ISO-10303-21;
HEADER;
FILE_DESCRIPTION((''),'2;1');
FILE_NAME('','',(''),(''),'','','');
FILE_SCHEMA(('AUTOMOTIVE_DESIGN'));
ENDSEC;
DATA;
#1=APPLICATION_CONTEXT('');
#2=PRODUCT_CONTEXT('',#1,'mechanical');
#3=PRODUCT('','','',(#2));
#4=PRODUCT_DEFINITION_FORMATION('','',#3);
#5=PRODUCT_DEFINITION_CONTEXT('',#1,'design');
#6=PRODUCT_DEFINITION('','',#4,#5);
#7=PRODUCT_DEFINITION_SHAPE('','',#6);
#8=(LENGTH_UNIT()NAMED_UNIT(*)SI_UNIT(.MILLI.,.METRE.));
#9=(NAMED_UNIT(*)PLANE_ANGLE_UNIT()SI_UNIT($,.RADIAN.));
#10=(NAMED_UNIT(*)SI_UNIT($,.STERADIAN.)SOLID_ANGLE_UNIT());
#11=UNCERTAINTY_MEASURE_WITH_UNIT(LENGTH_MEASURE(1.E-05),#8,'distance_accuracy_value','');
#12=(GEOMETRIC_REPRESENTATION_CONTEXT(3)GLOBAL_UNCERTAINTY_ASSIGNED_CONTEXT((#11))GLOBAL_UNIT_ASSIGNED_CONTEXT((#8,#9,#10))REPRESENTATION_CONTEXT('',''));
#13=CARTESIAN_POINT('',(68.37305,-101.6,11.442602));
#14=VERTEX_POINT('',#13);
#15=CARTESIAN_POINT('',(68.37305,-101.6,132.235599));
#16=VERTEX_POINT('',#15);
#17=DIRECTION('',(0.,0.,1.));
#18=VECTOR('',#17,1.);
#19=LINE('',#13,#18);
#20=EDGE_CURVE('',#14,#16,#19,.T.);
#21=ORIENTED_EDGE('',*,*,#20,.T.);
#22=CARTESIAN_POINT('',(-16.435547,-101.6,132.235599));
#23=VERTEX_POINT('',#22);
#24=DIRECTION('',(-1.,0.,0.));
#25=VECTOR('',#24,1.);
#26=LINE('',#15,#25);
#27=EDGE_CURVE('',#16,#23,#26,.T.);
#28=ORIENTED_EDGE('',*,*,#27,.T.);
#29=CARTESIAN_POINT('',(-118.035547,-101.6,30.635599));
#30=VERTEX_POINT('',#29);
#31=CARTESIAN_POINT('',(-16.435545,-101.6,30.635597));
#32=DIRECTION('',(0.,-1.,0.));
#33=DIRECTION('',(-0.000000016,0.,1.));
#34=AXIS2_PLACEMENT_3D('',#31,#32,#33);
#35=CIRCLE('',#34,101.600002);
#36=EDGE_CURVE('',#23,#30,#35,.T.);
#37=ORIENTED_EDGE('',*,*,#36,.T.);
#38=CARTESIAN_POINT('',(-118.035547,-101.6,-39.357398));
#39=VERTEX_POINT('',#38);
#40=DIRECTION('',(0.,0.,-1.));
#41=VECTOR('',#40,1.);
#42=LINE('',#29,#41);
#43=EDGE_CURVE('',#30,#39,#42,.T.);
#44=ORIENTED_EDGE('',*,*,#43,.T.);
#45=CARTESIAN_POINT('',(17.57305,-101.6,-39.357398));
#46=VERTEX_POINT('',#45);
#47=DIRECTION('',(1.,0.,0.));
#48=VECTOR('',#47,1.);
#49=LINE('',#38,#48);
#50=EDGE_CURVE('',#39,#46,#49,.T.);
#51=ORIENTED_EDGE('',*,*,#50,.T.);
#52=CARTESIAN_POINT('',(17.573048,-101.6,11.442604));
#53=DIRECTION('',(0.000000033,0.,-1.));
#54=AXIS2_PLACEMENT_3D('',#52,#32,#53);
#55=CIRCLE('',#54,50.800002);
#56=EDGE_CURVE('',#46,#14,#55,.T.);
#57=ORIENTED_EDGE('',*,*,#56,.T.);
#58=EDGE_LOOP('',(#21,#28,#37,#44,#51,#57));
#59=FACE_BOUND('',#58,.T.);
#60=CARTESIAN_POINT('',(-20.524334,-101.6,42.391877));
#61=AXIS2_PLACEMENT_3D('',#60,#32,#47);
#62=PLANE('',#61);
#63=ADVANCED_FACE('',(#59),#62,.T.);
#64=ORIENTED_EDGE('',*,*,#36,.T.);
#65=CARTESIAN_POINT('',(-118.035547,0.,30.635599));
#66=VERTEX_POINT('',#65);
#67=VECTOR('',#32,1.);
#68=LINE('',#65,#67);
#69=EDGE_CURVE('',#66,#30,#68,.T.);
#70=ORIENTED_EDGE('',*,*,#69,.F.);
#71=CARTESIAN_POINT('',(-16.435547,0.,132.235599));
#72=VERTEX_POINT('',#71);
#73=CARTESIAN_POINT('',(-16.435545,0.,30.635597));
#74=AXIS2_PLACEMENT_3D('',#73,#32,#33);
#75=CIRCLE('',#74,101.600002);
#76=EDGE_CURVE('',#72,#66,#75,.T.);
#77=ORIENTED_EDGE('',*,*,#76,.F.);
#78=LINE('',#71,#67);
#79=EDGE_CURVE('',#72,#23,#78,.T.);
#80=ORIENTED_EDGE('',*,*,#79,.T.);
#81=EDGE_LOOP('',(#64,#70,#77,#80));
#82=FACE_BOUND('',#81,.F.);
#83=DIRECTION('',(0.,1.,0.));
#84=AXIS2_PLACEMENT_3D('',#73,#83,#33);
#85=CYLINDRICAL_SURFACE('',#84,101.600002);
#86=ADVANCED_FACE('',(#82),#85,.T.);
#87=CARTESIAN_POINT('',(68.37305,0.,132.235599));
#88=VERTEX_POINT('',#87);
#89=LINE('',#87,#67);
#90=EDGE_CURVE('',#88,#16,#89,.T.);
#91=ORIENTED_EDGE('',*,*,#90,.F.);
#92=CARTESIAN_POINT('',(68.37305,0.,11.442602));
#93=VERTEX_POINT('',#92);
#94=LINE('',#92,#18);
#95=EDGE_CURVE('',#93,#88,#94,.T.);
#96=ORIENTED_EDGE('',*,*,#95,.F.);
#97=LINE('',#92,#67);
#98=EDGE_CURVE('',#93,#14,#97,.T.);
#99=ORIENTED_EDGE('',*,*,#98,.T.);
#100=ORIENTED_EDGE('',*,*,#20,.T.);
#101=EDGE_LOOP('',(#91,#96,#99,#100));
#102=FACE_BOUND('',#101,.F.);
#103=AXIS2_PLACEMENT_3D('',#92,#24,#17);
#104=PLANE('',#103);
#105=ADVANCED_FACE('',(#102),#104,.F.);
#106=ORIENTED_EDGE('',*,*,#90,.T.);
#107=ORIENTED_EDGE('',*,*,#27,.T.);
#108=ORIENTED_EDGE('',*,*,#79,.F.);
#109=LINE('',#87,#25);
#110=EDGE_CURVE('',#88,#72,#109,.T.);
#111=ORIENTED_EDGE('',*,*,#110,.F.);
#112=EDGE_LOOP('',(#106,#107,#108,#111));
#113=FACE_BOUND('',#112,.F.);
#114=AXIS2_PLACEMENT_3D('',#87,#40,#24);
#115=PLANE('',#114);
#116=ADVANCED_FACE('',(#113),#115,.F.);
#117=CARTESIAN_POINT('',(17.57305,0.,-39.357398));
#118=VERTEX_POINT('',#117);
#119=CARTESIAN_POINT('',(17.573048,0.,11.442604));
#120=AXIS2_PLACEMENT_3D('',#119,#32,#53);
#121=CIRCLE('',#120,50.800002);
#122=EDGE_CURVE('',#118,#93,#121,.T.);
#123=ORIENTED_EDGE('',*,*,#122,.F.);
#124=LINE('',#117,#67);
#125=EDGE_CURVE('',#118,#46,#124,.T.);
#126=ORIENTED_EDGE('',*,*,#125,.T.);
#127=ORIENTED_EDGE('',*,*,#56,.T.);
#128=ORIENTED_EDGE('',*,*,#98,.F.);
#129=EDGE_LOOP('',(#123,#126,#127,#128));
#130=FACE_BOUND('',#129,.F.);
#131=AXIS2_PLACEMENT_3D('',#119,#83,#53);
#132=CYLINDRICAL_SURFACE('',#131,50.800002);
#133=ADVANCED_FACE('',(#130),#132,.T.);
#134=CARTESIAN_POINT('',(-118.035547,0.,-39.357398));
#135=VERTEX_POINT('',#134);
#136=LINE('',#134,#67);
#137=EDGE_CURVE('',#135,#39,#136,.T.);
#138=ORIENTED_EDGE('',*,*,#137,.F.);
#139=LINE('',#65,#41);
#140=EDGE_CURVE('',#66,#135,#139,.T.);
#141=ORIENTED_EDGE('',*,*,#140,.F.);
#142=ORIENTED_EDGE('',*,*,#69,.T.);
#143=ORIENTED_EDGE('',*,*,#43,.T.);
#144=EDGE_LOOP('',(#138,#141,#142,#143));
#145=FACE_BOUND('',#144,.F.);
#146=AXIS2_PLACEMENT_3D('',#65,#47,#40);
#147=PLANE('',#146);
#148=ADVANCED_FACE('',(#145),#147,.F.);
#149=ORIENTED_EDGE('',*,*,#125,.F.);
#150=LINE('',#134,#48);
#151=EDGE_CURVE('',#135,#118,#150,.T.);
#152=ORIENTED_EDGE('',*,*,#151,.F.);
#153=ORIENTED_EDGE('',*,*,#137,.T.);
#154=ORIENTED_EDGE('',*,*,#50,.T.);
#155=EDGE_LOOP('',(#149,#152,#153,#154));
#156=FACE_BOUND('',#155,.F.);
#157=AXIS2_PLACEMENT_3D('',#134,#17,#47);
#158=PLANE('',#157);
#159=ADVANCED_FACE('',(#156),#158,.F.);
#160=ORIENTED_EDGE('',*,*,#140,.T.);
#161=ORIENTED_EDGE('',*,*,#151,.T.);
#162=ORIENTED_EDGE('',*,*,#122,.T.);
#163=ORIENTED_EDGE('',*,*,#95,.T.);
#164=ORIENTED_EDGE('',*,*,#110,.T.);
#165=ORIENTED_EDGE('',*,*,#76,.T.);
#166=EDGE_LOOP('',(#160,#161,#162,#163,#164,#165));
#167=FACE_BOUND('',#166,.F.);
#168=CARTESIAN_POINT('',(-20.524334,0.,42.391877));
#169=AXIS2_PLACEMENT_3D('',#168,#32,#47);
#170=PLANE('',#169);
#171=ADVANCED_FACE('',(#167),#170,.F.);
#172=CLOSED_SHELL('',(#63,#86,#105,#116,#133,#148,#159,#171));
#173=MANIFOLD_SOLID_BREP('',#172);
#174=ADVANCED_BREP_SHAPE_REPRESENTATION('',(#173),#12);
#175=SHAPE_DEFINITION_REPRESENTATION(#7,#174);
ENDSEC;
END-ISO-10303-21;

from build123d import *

# Parameters (mm, degrees)
F1_DEPTH = 101.6


with BuildPart() as f1:
    # F0 (on Front) → F1 (new body)
    with BuildSketch(Plane.XZ):
        with BuildLine():
            Line((68.37305, 132.235599), (-16.435547, 132.235599))
            ThreePointArc((-16.435547, 132.235599), (-88.277596, 102.477647), (-118.035547, 30.635599))
            Line((-118.035547, 30.635599), (-118.035547, -39.357398))
            Line((-118.035547, -39.357398), (17.57305, -39.357398))
            ThreePointArc((17.57305, -39.357398), (53.494074, -24.478422), (68.37305, 11.442602))
            Line((68.37305, 11.442602), (68.37305, 132.235599))
        make_face()
    extrude(amount=F1_DEPTH)


solid = f1.part
